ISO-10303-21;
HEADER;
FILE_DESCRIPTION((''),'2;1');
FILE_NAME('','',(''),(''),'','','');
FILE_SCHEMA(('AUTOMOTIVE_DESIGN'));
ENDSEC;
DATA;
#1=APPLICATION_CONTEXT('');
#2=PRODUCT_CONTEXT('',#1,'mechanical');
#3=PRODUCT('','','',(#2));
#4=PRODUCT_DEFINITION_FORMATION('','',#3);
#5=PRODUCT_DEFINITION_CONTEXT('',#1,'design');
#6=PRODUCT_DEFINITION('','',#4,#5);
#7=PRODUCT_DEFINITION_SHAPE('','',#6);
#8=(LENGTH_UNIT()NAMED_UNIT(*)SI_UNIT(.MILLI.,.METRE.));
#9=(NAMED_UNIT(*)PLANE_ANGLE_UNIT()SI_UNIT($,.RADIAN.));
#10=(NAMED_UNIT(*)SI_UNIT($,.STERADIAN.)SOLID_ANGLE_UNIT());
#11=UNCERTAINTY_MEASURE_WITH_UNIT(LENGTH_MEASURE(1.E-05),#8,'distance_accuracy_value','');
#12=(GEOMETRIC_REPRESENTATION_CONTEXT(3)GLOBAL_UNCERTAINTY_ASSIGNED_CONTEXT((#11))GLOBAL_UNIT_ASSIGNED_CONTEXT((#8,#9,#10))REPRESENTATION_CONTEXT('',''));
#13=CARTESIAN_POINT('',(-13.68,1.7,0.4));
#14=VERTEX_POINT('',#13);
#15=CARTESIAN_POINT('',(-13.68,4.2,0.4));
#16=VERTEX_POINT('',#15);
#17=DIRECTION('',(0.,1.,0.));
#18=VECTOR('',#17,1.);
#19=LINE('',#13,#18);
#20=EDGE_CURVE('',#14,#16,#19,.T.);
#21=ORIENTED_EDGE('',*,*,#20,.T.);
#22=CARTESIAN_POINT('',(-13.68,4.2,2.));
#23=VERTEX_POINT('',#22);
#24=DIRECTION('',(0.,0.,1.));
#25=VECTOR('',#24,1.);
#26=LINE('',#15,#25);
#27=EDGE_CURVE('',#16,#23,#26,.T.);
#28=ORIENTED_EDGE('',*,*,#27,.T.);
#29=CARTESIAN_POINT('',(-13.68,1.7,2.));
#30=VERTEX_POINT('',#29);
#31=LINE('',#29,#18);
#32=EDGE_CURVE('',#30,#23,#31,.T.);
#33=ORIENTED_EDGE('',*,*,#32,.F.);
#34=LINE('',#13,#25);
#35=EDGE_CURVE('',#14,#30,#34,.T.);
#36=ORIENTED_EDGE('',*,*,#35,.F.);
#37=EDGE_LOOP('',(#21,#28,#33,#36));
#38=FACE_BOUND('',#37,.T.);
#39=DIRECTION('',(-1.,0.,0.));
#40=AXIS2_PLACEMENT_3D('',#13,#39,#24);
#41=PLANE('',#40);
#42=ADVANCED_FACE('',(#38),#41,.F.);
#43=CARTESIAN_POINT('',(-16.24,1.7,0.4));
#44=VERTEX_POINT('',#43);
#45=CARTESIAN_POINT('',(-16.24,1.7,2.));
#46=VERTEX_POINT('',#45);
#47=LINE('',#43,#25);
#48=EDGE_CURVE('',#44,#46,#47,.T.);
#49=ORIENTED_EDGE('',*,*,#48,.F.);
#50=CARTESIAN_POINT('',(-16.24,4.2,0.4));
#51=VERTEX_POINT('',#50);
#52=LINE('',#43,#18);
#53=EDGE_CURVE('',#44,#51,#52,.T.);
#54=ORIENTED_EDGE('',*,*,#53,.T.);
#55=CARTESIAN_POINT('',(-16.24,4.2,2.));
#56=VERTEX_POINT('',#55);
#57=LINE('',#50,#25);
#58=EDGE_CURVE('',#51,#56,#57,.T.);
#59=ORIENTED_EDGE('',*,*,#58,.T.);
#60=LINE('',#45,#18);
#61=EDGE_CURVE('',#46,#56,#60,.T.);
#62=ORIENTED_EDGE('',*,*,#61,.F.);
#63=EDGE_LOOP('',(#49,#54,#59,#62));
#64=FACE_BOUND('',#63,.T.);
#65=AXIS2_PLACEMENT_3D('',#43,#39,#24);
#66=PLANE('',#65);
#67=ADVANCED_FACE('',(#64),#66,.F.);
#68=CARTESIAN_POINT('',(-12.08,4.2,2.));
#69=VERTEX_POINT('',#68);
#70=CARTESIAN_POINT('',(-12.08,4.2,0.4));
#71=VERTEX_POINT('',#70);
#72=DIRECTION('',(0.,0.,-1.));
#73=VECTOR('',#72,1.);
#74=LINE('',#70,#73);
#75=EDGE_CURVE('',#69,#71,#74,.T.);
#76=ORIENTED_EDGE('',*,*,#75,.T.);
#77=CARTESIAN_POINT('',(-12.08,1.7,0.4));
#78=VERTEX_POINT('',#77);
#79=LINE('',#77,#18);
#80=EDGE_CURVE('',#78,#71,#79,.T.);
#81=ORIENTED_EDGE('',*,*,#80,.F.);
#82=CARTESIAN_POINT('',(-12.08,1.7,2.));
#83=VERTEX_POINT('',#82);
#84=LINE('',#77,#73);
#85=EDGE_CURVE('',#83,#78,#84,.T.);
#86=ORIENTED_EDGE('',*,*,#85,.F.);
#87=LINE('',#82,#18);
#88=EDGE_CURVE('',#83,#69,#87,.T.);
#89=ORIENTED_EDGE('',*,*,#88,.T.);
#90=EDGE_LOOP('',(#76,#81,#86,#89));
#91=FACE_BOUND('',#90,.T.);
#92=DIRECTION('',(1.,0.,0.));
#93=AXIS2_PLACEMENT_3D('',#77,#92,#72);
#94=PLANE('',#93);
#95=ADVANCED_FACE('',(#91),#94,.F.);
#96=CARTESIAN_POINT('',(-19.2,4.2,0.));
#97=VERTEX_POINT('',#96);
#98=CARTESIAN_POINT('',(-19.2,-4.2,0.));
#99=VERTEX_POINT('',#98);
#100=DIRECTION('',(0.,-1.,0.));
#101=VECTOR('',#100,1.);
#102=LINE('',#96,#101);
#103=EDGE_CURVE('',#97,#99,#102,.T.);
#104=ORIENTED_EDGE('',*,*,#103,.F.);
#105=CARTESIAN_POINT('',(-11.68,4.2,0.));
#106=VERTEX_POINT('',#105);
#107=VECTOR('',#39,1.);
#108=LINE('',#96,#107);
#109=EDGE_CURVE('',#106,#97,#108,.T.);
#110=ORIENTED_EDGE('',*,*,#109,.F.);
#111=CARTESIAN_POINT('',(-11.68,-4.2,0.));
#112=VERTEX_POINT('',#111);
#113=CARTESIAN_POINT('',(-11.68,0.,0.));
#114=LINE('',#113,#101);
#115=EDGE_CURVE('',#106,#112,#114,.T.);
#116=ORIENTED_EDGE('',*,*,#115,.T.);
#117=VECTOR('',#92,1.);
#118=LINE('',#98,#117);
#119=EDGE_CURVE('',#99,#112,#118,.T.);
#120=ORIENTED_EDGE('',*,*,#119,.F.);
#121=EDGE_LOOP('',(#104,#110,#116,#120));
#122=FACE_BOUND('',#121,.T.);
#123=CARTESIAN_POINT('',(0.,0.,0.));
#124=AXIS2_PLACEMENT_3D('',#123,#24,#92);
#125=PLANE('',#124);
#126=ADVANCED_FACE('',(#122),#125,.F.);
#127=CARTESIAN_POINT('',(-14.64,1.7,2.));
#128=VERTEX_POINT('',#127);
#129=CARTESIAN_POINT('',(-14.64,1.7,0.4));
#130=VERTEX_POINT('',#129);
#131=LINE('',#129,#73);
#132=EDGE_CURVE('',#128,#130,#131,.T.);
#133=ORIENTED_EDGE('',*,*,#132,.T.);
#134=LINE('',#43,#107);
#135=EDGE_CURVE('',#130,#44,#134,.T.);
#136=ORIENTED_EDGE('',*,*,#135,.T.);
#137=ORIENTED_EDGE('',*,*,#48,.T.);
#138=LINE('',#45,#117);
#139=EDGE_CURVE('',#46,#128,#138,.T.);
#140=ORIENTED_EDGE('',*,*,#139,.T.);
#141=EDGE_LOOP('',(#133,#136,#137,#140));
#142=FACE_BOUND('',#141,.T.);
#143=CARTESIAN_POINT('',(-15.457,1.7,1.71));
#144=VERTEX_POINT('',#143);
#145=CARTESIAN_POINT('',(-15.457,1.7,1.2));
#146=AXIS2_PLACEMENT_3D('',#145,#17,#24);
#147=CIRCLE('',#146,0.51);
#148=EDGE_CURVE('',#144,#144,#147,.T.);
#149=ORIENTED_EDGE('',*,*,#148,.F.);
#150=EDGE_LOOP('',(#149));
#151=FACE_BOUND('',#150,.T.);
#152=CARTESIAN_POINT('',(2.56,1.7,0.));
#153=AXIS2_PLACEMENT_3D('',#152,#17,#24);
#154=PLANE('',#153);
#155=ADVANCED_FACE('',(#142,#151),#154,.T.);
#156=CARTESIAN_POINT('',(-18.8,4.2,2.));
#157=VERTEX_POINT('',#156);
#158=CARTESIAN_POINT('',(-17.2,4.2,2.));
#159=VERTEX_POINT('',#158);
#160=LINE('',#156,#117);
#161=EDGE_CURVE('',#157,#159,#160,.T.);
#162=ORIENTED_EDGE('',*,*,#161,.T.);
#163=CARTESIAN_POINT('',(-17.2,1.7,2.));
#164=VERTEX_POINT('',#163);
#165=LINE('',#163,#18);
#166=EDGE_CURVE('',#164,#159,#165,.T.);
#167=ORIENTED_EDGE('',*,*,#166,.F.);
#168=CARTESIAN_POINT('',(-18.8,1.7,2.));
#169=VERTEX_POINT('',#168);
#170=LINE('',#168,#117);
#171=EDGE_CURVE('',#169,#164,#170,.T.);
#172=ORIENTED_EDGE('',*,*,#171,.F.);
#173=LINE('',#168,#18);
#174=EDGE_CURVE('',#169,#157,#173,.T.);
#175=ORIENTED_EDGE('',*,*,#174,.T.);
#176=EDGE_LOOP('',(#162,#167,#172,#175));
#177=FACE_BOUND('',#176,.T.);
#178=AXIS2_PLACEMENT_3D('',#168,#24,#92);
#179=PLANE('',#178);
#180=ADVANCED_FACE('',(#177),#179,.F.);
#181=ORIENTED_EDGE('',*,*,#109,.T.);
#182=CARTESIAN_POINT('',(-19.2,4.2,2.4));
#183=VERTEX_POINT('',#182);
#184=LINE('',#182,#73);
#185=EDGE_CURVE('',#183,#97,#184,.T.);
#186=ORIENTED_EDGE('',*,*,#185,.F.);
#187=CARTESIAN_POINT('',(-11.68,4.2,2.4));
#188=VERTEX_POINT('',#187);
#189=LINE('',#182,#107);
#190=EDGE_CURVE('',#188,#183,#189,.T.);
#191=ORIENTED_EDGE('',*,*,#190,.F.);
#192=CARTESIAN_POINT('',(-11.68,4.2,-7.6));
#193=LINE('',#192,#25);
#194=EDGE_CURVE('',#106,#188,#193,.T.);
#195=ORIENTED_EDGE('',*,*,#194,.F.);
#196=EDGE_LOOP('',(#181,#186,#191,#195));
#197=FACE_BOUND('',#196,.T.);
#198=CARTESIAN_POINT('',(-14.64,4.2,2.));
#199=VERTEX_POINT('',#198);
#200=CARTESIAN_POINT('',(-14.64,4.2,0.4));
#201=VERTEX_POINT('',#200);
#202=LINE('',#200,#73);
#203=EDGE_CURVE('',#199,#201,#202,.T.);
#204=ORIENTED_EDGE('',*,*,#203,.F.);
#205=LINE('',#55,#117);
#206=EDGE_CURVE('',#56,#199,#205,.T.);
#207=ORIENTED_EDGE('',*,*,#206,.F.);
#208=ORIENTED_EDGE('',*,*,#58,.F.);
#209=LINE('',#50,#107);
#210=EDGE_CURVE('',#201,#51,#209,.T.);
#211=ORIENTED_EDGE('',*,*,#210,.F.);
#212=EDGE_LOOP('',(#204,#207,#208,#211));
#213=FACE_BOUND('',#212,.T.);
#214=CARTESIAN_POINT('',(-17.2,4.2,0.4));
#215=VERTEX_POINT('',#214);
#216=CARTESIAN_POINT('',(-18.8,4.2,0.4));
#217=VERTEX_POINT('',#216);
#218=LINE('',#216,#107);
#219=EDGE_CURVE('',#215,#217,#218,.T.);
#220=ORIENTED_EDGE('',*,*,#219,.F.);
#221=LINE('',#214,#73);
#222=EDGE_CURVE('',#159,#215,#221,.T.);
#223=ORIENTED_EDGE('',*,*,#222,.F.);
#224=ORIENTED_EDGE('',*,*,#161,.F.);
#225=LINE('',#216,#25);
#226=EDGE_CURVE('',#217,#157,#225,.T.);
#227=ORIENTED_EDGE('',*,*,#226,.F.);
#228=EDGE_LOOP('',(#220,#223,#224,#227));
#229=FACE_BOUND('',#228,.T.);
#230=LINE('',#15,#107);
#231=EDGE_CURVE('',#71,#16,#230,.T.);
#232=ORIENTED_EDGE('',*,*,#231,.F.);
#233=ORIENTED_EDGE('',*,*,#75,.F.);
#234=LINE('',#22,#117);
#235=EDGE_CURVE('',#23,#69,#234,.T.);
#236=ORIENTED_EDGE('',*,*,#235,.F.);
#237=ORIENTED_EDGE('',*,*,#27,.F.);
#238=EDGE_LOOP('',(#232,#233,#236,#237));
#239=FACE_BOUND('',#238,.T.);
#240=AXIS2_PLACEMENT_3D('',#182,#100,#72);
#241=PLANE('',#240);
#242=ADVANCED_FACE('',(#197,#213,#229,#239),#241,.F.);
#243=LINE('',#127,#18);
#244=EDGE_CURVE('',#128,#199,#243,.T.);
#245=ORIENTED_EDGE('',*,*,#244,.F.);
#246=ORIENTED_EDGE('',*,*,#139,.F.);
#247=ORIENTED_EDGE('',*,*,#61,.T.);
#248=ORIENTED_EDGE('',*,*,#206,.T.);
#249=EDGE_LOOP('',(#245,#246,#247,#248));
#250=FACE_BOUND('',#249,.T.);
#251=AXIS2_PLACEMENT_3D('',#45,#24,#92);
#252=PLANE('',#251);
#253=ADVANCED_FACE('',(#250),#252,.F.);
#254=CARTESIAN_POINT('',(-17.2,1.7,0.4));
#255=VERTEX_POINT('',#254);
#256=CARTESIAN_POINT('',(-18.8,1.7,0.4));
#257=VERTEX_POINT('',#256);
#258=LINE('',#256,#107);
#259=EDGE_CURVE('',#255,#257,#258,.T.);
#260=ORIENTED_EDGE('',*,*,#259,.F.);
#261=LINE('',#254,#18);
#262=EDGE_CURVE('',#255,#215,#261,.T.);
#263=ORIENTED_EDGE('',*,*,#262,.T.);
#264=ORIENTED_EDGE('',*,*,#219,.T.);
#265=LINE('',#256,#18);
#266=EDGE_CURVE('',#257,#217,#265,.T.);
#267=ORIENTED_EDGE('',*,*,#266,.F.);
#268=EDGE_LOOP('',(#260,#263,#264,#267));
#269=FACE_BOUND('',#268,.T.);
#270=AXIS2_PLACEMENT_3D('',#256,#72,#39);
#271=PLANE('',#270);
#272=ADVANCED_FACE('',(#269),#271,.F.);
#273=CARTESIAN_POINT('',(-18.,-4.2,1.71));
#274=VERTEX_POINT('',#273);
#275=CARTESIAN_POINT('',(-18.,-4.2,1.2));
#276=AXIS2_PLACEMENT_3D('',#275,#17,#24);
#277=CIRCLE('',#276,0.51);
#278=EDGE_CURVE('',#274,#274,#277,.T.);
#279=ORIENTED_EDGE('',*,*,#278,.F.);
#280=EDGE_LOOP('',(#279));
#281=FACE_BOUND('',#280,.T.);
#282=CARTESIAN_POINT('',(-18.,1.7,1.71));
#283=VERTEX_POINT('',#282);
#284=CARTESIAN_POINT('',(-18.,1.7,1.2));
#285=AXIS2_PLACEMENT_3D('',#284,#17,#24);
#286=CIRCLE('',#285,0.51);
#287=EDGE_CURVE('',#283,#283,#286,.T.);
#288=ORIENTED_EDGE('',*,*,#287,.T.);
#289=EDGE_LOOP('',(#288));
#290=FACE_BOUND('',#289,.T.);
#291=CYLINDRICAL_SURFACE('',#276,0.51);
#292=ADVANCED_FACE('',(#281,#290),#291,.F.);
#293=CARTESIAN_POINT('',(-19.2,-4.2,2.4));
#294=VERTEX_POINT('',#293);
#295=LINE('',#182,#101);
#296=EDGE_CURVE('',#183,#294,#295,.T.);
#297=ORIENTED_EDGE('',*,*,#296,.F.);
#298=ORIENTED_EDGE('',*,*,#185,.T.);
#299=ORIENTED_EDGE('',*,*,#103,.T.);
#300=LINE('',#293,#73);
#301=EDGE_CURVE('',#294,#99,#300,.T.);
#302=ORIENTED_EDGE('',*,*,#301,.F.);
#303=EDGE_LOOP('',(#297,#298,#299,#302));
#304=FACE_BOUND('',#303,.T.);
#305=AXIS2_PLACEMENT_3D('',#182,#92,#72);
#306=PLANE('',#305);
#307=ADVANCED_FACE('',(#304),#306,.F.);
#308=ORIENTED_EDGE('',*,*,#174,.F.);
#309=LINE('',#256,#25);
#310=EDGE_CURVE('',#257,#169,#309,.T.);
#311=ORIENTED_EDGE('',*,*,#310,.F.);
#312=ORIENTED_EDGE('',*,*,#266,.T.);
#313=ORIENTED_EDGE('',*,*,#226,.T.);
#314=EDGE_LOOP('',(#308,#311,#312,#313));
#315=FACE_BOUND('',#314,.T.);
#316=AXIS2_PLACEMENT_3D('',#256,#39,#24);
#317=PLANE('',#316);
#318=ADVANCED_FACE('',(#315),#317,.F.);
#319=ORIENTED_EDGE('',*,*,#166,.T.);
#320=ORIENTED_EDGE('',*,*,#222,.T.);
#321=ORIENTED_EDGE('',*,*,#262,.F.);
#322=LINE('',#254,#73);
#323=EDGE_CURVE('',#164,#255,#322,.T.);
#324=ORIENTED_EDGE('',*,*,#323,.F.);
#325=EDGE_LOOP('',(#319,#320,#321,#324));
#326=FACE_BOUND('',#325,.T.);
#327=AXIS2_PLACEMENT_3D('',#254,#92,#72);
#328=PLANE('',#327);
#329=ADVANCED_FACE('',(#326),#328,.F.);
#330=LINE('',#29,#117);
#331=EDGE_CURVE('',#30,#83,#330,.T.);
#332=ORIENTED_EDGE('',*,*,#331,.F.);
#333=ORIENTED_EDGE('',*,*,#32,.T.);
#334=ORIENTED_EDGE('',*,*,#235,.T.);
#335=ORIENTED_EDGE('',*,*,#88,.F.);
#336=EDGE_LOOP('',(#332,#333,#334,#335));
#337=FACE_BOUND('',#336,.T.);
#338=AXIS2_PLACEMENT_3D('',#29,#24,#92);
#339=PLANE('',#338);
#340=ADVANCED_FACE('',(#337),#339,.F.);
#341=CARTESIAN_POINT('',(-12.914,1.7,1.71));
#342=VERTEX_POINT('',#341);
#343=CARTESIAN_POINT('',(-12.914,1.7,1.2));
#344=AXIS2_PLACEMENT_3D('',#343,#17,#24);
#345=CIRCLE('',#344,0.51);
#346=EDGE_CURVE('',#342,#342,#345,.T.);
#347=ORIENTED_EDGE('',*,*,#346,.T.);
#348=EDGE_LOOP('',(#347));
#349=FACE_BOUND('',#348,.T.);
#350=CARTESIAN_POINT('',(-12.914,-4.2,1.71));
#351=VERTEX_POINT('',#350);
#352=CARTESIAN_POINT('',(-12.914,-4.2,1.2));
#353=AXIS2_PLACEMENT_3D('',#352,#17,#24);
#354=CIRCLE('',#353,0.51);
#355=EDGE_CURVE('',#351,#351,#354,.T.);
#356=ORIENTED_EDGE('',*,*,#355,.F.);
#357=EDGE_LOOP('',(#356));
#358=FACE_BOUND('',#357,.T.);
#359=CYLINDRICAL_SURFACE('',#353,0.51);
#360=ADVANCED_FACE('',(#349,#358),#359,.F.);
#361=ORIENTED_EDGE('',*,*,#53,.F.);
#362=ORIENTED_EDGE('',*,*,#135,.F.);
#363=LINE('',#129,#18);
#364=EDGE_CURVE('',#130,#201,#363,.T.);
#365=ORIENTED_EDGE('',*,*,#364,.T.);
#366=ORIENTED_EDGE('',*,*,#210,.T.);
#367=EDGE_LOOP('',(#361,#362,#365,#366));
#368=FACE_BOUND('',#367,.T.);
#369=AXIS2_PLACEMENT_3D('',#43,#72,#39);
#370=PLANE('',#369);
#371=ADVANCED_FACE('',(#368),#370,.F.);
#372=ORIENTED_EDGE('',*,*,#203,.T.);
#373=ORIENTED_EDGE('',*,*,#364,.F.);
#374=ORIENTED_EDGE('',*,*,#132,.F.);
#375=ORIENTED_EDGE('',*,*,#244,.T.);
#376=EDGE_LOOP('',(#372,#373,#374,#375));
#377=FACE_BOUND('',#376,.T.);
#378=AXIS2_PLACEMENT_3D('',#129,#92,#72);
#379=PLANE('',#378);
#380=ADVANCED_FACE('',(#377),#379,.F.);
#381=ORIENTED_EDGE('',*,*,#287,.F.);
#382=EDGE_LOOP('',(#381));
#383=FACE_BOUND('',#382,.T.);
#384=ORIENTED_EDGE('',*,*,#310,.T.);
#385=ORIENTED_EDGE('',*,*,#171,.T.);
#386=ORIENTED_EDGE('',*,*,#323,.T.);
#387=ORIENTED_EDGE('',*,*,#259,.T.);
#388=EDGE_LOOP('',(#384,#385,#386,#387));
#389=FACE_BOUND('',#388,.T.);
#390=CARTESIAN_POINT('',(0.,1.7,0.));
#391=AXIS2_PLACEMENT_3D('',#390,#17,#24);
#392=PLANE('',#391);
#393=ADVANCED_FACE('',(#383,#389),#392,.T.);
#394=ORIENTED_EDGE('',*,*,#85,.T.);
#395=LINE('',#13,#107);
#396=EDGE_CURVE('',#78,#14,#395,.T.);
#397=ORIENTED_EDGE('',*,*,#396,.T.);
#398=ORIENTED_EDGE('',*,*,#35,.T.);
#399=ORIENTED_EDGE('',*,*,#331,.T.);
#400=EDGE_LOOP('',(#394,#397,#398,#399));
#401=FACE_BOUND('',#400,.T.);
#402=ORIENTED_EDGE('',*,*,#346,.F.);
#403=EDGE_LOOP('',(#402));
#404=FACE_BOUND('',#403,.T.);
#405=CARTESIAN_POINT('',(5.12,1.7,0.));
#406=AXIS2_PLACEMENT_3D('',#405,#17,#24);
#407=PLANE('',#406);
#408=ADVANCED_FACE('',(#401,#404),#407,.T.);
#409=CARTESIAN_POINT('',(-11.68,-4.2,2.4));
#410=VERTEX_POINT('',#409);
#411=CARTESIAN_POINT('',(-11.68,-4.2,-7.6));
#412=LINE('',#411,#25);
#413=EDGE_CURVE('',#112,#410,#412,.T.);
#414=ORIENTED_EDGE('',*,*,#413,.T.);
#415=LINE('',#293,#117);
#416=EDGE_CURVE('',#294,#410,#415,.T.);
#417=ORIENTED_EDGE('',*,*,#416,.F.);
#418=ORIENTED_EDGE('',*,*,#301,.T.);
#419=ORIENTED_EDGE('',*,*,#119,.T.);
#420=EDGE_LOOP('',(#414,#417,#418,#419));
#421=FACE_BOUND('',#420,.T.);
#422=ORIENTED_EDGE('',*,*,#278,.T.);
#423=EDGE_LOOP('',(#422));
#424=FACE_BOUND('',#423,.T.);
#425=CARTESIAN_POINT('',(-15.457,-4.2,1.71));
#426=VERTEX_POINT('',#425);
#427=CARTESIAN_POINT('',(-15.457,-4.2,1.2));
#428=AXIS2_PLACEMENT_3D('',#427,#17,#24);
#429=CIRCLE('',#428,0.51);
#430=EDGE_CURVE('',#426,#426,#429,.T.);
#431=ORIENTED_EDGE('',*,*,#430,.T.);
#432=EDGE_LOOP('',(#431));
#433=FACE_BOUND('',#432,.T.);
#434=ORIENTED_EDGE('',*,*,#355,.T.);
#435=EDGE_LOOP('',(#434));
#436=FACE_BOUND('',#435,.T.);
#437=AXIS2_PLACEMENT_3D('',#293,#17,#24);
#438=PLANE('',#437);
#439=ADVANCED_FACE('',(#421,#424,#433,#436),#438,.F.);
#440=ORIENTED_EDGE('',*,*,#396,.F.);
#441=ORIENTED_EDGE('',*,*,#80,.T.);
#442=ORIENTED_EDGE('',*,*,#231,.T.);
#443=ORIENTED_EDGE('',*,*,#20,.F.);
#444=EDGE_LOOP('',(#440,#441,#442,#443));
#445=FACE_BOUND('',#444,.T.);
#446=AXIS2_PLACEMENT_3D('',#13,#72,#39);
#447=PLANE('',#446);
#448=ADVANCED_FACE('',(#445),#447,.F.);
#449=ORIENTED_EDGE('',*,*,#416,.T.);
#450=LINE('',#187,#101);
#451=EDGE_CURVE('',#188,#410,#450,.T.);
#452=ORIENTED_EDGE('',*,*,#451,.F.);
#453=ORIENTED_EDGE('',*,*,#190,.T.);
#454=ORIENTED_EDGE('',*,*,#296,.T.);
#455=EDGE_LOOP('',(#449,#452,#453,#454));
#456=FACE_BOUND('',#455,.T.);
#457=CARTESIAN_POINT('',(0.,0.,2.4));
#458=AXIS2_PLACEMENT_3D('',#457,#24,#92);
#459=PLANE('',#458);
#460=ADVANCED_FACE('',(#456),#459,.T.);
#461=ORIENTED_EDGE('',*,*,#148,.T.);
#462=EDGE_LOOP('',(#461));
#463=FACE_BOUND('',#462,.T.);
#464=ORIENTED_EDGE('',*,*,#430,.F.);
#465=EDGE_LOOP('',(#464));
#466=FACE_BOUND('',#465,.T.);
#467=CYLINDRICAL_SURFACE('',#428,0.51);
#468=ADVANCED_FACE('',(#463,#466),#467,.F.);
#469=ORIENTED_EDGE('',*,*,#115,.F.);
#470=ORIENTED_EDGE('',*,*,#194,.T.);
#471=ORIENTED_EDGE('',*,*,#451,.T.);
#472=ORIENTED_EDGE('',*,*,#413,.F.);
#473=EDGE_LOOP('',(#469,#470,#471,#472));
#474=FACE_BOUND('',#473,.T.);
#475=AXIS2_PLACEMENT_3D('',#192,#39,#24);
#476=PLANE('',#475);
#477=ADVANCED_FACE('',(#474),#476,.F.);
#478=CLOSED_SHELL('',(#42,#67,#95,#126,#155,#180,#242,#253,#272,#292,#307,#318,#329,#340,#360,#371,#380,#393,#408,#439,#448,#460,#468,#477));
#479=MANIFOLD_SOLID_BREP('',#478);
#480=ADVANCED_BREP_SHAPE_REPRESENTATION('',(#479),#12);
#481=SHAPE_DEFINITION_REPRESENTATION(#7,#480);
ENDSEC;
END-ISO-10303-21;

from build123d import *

# Parameters (mm, degrees)
ESBO_O1_W                = 38.4
ESBO_O1_H                = 8.4
RESSALTO_EXTRUS_O1_DEPTH = 2.4
ESBO_O2_W                = 1.6
ESBO_O2_H                = 1.6
CORTE_EXTRUS_O1_DEPTH    = 2.5
PADR_O_LINEAR1_COUNT     = 16
PADR_O_LINEAR1_PITCH     = 2.56
ESBO_O3_R                = 0.51
CORTE_EXTRUS_O2_DEPTH    = 21.228939666
PADR_O_LINEAR2_COUNT     = 15
PADR_O_LINEAR2_PITCH     = 2.543
ESBO_O6_W                = 18.080220827
ESBO_O6_H                = 8.4
CORTE_EXTRUS_O3_DEPTH    = 10
ESBO_O8_W                = 12.799779173
ESBO_O8_H                = 8.4
CORTE_EXTRUS_O4_DEPTH    = 10


with BuildPart() as part:
    # Esboço1 → Ressalto-extrusão1 (new body)
    with BuildSketch(Plane.XY):
        Rectangle(ESBO_O1_W, ESBO_O1_H)
    extrude(amount=RESSALTO_EXTRUS_O1_DEPTH)

    # Esboço2 → Corte-extrusão1 (cut)
    with BuildSketch(Plane(origin=(0, 4.2, 0), x_dir=(1, 0, 0), z_dir=(0, 1, 0))):
        with Locations((-18, -1.2)):
            Rectangle(ESBO_O2_W, ESBO_O2_H)
    corte_extrus_o1 = extrude(amount=-CORTE_EXTRUS_O1_DEPTH, mode=Mode.SUBTRACT)

    # Padrão linear1: Corte-extrusão1 ×16
    with Locations(*[(i * PADR_O_LINEAR1_PITCH, 0, 0) for i in range(1, PADR_O_LINEAR1_COUNT)]):
        add(corte_extrus_o1, mode=Mode.SUBTRACT)

    # Esboço3 → Corte-extrusão2 (cut, through all)
    with BuildSketch(Plane(origin=(0, 1.7, 0), x_dir=(1, 0, 0), z_dir=(0, 1, 0))):
        with Locations(Location((-18, -1.2, 0), (0, 0, 270))):
            Circle(ESBO_O3_R)
    corte_extrus_o2 = extrude(amount=-CORTE_EXTRUS_O2_DEPTH, mode=Mode.SUBTRACT)

    # Padrão linear2: Corte-extrusão2 ×15
    with Locations(*[(i * PADR_O_LINEAR2_PITCH, 0, 0) for i in range(1, PADR_O_LINEAR2_COUNT)]):
        add(corte_extrus_o2, mode=Mode.SUBTRACT)

    # Esboço6 → Corte-extrusão3 (cut)
    with BuildSketch(Plane.XY.offset(2.4)):
        with Locations((10.159889587, 0)):
            Rectangle(ESBO_O6_W, ESBO_O6_H)
    extrude(amount=-CORTE_EXTRUS_O3_DEPTH, mode=Mode.SUBTRACT)

    # Esboço8 → Corte-extrusão4 (cut)
    with BuildSketch(Plane.XY.offset(2.4)):
        with Locations((-5.280110414, 0)):
            Rectangle(ESBO_O8_W, ESBO_O8_H)
    extrude(amount=-CORTE_EXTRUS_O4_DEPTH, mode=Mode.SUBTRACT)


solid = part.part
